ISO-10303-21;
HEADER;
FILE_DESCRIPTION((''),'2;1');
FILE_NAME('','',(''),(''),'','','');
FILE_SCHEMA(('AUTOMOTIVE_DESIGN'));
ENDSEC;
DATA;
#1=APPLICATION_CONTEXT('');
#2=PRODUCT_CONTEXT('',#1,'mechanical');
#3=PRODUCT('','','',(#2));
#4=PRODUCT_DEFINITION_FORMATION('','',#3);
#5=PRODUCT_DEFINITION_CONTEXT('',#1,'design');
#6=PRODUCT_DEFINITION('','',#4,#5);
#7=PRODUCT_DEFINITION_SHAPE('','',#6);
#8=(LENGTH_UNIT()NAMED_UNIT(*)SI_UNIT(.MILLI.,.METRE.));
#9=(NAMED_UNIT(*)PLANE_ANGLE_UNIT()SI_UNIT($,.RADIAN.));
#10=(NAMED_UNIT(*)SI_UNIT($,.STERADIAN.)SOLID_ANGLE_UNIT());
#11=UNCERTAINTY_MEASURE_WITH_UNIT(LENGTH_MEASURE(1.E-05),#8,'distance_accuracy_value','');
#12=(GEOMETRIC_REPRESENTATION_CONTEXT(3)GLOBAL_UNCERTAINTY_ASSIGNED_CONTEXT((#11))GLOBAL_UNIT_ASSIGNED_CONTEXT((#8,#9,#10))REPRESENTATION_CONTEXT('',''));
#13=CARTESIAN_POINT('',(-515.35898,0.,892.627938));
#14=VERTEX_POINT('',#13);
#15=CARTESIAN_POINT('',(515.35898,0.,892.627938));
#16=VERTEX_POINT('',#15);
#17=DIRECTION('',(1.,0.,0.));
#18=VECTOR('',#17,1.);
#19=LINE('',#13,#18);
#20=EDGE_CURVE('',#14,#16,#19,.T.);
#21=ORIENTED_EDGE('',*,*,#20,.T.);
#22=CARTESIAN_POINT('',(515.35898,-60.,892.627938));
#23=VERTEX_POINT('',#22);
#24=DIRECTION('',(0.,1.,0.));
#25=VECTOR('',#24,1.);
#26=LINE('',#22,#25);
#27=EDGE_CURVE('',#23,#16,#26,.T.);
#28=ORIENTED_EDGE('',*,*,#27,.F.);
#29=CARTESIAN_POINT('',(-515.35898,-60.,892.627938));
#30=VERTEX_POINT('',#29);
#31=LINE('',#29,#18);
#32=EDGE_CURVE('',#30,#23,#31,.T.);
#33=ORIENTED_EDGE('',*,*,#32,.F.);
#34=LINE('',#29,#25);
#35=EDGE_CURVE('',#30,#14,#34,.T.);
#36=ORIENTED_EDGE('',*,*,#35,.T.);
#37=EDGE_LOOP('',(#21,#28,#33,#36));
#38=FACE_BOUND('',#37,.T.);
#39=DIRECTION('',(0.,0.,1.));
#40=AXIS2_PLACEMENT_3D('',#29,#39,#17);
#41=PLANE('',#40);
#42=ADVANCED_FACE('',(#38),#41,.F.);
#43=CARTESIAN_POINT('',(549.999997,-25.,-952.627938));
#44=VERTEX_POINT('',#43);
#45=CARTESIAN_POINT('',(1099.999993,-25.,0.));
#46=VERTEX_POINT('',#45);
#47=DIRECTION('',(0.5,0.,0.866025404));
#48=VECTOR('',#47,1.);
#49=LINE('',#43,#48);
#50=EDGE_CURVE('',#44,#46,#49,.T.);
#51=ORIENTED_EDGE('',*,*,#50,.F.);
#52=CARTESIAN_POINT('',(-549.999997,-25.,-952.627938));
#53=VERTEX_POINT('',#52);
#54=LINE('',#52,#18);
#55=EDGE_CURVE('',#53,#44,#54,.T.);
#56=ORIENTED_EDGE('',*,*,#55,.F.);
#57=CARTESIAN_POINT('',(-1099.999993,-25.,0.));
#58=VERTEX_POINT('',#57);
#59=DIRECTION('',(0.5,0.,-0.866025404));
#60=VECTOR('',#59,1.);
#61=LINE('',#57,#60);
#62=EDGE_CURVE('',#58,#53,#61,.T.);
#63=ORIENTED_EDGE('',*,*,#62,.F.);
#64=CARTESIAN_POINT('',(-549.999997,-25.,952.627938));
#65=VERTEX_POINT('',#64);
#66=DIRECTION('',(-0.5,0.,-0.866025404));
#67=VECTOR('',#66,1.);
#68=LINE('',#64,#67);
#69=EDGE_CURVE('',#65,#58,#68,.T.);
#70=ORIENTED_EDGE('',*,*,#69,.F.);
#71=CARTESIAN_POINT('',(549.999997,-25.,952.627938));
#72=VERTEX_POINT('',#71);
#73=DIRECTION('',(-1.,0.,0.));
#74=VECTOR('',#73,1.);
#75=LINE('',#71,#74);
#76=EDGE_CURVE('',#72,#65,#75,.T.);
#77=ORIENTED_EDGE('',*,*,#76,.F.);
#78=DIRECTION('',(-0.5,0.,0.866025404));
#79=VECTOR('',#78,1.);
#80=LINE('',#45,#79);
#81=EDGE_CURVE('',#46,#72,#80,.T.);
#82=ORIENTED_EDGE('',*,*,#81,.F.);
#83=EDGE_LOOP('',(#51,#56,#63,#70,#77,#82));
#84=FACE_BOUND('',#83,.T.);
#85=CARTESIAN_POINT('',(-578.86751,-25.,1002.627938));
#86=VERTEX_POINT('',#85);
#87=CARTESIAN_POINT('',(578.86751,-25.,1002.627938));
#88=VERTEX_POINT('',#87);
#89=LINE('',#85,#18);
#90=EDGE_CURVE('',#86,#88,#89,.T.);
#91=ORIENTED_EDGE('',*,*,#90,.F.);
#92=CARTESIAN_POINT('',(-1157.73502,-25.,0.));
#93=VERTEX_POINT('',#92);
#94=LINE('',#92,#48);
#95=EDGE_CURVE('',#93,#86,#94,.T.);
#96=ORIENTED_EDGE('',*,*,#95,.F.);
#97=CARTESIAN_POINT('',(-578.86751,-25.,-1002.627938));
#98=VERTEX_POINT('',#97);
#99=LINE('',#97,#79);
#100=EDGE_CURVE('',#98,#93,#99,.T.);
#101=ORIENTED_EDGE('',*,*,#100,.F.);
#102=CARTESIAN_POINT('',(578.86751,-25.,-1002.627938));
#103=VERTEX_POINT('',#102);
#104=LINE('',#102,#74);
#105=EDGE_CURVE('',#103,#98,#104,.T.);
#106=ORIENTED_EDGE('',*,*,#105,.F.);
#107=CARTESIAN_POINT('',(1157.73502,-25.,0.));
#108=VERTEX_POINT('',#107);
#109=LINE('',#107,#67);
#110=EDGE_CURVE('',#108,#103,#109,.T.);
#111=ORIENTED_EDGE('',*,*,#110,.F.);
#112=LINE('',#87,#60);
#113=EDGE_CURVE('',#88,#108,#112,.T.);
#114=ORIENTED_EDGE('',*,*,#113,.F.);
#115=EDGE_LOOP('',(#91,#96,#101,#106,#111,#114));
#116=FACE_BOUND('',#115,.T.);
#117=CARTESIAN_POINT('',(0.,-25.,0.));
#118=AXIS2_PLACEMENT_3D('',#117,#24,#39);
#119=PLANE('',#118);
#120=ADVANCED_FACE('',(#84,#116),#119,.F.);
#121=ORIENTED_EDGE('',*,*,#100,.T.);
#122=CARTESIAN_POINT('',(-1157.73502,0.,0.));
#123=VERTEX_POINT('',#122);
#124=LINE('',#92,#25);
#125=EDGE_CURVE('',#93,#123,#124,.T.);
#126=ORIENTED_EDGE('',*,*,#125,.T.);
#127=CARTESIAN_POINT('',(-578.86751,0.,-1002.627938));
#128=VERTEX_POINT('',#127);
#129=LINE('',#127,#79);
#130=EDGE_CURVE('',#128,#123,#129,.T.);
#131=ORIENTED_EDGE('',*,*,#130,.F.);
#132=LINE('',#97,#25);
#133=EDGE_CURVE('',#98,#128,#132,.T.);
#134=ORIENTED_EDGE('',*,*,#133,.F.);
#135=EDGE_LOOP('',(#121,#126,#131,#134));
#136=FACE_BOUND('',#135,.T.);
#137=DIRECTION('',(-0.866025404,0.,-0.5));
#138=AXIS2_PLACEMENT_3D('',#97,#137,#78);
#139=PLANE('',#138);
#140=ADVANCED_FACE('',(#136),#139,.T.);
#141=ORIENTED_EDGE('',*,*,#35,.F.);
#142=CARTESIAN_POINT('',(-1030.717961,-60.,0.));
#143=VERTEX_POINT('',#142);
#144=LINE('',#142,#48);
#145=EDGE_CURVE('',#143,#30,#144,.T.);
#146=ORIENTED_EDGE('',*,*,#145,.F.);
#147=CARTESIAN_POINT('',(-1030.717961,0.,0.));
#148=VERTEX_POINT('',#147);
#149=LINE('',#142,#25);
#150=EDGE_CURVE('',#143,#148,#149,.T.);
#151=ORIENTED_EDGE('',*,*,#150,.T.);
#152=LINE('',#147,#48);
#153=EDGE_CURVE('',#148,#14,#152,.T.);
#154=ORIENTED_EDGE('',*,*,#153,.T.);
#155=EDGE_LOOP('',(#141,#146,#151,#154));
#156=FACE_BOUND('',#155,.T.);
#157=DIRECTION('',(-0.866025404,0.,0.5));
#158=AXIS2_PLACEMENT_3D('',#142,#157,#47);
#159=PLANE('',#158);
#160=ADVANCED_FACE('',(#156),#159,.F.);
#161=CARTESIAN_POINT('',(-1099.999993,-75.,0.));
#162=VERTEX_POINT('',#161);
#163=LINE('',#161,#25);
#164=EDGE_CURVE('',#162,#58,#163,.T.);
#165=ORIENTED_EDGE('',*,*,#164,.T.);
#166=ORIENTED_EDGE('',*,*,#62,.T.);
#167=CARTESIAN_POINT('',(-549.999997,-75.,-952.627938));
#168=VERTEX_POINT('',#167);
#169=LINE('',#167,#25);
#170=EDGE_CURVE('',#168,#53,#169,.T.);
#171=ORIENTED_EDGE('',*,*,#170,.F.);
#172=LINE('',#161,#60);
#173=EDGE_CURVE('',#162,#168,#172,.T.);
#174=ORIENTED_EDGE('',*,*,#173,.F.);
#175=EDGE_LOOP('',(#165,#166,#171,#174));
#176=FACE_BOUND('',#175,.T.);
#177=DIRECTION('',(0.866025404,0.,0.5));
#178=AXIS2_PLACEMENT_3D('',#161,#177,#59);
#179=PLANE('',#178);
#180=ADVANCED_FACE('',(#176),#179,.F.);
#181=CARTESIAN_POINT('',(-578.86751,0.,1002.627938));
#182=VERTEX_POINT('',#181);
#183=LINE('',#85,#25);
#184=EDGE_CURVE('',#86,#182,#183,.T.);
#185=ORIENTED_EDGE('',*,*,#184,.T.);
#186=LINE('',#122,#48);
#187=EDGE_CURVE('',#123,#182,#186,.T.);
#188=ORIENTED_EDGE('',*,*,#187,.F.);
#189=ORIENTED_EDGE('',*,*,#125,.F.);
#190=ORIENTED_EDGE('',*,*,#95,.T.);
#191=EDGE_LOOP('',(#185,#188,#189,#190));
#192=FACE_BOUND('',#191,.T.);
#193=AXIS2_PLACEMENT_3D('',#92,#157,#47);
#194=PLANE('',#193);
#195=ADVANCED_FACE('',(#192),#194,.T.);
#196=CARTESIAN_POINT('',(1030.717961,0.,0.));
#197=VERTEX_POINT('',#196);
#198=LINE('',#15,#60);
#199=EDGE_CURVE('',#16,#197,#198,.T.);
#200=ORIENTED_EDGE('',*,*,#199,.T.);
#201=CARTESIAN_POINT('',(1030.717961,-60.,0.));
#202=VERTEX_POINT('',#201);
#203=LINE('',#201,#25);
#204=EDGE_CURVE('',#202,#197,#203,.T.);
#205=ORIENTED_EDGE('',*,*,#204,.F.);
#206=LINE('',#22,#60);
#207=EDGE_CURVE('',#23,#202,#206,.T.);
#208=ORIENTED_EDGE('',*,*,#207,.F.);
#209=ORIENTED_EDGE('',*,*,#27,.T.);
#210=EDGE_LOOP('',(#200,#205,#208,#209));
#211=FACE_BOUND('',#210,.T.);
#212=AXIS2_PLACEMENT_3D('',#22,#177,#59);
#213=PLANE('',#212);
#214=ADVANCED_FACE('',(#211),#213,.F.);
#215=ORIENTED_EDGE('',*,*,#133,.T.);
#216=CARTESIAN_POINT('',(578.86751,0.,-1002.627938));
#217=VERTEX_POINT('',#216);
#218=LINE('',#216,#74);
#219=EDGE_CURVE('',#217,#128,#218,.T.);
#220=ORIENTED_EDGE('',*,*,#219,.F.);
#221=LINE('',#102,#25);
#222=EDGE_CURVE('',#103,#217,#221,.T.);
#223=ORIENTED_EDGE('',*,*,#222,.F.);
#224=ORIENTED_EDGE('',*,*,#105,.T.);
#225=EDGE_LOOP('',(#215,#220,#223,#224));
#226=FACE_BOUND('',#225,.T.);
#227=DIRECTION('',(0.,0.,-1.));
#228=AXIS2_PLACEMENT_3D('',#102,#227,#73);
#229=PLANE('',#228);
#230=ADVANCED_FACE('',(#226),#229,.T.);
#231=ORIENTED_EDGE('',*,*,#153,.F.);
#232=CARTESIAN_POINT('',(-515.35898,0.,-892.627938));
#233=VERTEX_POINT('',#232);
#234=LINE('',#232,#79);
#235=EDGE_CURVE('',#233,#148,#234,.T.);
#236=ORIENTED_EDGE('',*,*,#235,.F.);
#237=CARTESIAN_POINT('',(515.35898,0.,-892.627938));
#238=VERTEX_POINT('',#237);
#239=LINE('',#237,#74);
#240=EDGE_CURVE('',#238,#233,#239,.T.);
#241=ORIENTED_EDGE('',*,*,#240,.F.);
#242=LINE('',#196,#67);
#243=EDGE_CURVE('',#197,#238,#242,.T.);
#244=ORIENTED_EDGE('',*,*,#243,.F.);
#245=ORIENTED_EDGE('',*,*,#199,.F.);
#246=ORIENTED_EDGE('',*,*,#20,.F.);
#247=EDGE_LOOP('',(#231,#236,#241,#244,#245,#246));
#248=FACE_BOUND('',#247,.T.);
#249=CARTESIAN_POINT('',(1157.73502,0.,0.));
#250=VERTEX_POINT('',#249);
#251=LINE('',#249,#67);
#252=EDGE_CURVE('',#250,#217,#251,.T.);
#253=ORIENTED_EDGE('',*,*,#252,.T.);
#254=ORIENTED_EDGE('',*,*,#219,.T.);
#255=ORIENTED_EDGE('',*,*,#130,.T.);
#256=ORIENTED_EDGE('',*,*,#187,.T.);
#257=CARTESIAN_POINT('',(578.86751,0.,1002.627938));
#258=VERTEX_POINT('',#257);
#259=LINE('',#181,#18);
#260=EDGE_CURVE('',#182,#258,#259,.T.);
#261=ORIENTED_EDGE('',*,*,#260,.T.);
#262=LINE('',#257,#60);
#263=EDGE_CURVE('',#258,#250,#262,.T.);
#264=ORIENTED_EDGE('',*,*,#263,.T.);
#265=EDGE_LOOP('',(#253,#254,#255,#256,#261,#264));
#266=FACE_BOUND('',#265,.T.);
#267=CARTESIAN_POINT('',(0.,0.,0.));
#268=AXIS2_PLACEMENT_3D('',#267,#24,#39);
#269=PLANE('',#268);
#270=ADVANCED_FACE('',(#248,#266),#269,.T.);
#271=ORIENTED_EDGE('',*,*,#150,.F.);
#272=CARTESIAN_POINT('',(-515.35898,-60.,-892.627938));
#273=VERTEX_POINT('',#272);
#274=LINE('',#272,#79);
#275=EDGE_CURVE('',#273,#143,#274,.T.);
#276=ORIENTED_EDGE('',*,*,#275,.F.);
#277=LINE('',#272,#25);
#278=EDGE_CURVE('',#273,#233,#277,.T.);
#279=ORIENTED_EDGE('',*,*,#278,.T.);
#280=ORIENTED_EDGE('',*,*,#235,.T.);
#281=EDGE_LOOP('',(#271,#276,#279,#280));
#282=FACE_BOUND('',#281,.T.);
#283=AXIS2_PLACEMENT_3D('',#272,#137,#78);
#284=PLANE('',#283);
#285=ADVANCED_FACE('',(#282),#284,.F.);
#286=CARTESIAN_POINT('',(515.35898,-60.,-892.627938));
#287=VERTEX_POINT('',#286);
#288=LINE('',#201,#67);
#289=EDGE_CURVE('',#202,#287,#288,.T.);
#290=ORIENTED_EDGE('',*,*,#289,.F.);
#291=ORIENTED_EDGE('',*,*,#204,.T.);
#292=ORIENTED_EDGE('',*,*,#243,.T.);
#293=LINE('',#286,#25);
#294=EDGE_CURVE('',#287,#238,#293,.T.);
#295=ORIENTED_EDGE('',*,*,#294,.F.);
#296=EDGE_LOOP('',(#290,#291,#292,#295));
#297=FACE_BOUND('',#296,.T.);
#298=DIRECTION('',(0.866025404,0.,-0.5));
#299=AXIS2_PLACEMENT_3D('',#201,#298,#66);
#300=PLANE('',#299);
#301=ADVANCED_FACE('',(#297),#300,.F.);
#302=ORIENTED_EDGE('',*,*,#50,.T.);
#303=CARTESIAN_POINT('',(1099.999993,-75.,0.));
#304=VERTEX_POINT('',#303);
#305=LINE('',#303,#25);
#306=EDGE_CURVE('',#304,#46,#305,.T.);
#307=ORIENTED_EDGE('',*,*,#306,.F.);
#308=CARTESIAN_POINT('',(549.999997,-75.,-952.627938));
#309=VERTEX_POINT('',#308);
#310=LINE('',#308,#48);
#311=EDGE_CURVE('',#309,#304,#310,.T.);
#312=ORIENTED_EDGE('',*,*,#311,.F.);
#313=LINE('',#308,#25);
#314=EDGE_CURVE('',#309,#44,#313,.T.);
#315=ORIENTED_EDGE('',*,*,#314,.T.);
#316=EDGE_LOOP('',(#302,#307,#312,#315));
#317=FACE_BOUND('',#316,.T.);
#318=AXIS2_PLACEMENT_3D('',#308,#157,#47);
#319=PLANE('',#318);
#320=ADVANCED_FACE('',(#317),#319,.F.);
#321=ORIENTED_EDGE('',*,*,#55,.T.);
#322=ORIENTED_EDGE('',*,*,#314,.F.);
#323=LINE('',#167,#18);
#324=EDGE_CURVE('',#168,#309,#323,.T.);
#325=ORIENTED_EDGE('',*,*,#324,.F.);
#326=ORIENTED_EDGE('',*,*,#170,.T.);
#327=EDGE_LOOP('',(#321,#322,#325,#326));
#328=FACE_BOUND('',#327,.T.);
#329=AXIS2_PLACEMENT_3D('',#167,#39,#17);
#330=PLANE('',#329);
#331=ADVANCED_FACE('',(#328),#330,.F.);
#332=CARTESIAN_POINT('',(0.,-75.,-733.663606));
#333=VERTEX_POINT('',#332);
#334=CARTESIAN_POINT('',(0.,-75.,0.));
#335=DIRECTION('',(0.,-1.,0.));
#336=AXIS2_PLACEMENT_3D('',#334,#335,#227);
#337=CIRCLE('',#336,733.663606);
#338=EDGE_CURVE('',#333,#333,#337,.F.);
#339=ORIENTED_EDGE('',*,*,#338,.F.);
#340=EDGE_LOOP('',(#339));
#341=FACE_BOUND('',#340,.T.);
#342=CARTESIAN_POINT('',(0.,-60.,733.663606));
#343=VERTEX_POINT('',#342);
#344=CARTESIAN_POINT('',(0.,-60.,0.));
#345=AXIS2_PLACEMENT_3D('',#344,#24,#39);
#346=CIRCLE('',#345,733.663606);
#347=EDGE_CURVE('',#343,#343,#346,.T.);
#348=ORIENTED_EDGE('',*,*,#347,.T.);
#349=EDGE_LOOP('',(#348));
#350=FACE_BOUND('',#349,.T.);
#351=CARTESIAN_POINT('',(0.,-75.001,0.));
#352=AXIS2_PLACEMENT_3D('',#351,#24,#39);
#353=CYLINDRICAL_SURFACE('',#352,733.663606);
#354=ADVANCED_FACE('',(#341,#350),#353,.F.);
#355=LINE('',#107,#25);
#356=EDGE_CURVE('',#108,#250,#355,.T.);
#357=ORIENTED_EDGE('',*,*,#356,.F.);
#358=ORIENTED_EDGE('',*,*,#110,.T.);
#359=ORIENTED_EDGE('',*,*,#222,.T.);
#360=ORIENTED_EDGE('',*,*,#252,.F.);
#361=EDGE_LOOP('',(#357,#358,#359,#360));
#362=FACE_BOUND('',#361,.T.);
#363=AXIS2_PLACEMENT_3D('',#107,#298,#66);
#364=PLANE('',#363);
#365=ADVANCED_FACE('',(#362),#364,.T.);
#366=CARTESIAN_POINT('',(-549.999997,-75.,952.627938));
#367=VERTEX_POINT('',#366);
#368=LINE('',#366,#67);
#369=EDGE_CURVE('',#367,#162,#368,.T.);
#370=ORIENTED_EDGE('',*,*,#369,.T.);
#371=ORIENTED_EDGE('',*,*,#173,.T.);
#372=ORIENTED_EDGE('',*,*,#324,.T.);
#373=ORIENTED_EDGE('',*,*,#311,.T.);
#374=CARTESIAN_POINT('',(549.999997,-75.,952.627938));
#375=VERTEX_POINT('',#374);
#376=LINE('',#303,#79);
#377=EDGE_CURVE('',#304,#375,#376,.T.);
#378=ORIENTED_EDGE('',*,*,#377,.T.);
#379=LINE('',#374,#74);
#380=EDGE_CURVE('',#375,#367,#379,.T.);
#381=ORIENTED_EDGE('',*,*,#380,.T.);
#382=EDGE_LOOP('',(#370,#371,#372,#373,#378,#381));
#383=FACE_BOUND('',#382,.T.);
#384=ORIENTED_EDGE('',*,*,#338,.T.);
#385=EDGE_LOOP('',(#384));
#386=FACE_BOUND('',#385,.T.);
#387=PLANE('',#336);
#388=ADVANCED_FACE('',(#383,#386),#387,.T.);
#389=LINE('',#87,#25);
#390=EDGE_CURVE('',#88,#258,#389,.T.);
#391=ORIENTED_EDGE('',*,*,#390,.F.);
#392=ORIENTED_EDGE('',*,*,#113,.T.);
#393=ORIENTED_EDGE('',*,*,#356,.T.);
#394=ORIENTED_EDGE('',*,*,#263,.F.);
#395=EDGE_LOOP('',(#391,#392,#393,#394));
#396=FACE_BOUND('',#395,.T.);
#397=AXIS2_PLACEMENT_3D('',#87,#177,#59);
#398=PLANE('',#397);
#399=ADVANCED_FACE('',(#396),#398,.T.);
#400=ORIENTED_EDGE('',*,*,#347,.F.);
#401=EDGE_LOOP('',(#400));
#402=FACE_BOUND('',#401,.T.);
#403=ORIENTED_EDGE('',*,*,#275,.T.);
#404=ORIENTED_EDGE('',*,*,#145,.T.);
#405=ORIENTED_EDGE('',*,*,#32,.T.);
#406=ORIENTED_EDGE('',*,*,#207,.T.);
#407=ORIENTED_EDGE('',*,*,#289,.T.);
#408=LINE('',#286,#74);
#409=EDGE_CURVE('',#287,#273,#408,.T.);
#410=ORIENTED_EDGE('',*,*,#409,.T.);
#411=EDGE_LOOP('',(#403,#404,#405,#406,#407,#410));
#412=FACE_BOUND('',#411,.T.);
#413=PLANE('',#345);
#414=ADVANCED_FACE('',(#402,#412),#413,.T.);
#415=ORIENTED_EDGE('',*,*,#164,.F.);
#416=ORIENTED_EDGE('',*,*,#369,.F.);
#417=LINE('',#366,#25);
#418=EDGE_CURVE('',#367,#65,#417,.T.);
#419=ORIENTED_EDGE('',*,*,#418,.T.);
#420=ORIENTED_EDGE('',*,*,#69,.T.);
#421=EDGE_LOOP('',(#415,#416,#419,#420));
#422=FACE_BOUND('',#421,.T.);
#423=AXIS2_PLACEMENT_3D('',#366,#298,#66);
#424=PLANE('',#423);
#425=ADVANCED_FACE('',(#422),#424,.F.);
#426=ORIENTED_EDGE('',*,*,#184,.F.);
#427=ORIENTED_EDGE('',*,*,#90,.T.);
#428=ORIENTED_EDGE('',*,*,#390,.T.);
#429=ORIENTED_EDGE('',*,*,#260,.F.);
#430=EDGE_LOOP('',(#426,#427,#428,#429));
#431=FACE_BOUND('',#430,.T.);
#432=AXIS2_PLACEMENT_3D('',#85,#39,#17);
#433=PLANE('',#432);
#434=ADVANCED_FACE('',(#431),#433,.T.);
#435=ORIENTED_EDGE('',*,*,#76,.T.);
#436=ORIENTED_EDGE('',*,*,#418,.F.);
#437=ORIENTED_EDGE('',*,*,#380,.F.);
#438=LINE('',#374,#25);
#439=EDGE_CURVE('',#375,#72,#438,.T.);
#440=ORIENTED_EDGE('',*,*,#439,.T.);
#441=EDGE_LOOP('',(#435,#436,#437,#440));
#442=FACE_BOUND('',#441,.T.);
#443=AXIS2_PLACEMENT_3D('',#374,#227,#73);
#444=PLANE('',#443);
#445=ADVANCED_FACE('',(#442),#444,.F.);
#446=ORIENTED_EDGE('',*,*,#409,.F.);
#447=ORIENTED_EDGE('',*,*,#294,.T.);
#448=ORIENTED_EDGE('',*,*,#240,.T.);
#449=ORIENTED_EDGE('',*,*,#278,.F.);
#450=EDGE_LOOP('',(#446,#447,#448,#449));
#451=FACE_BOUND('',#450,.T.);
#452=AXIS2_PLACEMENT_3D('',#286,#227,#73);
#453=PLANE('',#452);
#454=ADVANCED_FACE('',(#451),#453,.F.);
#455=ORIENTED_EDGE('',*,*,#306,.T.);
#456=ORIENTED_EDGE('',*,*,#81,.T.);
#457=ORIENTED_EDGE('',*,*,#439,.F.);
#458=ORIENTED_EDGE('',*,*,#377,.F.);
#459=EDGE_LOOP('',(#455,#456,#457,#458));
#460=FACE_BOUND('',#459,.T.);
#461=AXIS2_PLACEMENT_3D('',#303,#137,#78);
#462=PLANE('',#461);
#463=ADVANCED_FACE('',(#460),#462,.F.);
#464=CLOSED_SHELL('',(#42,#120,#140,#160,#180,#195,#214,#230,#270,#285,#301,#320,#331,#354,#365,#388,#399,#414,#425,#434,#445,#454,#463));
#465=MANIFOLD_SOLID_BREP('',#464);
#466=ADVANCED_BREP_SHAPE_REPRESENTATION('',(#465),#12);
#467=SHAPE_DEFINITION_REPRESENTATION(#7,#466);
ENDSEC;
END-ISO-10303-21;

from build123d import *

# Parameters (mm, degrees)
BOSS_EXTRUDE1_DEPTH = 25
BOSS_EXTRUDE2_DEPTH = 50
CUT_EXTRUDE1_DEPTH  = 60
CUT_EXTRUDE2_REACH  = 1534.714
SKETCH5_R           = 733.663605778


with BuildPart() as part:
    # Sketch1 → Boss-Extrude1 (new body)
    with BuildSketch(Plane(origin=(0, 0, 0), x_dir=(1, 0, 0), z_dir=(0, 1, 0))):
        Polygon((-578.86751, 1002.627938171), (-1157.73502, 0), (-578.86751, -1002.627938171), (578.86751, -1002.627938171), (1157.73502, 0), (578.86751, 1002.627938171), align=None)
    extrude(amount=-BOSS_EXTRUDE1_DEPTH)

    # Sketch3 → Boss-Extrude2 (add)
    with BuildSketch(Plane.XZ.offset(25)):
        Polygon((-549.999996541, -952.627938171), (549.999996541, -952.627938171), (1099.999993081, 0), (549.999996541, 952.627938171), (-549.999996541, 952.627938171), (-1099.999993081, 0), align=None)
    extrude(amount=BOSS_EXTRUDE2_DEPTH)

    # Sketch4 → Cut-Extrude1 (cut)
    with BuildSketch(Plane(origin=(0, 0, 0), x_dir=(1, 0, 0), z_dir=(0, 1, 0))):
        Polygon((515.358980389, 892.627938171), (-515.358980389, 892.627938171), (-1030.717960778, 0), (-515.358980389, -892.627938171), (515.358980389, -892.627938171), (1030.717960778, 0), align=None)
    extrude(amount=-CUT_EXTRUDE1_DEPTH, mode=Mode.SUBTRACT)

    # Sketch5 → Cut-Extrude2 (cut, up to next)
    with BuildSketch(Plane(origin=(0, -60, 0), x_dir=(1, 0, 0), z_dir=(0, 1, 0)), mode=Mode.PRIVATE) as cut_extrude2_sk1:
        with Locations(Location((0, 0, 0), (0, 0, 270))):
            Circle(SKETCH5_R)
    cut_extrude2_tool1 = extrude(cut_extrude2_sk1.sketch, amount=-CUT_EXTRUDE2_REACH, mode=Mode.PRIVATE) & part.part
    add(cut_extrude2_tool1.solids().sort_by_distance((0, -60, 0))[0], mode=Mode.SUBTRACT)


solid = part.part
